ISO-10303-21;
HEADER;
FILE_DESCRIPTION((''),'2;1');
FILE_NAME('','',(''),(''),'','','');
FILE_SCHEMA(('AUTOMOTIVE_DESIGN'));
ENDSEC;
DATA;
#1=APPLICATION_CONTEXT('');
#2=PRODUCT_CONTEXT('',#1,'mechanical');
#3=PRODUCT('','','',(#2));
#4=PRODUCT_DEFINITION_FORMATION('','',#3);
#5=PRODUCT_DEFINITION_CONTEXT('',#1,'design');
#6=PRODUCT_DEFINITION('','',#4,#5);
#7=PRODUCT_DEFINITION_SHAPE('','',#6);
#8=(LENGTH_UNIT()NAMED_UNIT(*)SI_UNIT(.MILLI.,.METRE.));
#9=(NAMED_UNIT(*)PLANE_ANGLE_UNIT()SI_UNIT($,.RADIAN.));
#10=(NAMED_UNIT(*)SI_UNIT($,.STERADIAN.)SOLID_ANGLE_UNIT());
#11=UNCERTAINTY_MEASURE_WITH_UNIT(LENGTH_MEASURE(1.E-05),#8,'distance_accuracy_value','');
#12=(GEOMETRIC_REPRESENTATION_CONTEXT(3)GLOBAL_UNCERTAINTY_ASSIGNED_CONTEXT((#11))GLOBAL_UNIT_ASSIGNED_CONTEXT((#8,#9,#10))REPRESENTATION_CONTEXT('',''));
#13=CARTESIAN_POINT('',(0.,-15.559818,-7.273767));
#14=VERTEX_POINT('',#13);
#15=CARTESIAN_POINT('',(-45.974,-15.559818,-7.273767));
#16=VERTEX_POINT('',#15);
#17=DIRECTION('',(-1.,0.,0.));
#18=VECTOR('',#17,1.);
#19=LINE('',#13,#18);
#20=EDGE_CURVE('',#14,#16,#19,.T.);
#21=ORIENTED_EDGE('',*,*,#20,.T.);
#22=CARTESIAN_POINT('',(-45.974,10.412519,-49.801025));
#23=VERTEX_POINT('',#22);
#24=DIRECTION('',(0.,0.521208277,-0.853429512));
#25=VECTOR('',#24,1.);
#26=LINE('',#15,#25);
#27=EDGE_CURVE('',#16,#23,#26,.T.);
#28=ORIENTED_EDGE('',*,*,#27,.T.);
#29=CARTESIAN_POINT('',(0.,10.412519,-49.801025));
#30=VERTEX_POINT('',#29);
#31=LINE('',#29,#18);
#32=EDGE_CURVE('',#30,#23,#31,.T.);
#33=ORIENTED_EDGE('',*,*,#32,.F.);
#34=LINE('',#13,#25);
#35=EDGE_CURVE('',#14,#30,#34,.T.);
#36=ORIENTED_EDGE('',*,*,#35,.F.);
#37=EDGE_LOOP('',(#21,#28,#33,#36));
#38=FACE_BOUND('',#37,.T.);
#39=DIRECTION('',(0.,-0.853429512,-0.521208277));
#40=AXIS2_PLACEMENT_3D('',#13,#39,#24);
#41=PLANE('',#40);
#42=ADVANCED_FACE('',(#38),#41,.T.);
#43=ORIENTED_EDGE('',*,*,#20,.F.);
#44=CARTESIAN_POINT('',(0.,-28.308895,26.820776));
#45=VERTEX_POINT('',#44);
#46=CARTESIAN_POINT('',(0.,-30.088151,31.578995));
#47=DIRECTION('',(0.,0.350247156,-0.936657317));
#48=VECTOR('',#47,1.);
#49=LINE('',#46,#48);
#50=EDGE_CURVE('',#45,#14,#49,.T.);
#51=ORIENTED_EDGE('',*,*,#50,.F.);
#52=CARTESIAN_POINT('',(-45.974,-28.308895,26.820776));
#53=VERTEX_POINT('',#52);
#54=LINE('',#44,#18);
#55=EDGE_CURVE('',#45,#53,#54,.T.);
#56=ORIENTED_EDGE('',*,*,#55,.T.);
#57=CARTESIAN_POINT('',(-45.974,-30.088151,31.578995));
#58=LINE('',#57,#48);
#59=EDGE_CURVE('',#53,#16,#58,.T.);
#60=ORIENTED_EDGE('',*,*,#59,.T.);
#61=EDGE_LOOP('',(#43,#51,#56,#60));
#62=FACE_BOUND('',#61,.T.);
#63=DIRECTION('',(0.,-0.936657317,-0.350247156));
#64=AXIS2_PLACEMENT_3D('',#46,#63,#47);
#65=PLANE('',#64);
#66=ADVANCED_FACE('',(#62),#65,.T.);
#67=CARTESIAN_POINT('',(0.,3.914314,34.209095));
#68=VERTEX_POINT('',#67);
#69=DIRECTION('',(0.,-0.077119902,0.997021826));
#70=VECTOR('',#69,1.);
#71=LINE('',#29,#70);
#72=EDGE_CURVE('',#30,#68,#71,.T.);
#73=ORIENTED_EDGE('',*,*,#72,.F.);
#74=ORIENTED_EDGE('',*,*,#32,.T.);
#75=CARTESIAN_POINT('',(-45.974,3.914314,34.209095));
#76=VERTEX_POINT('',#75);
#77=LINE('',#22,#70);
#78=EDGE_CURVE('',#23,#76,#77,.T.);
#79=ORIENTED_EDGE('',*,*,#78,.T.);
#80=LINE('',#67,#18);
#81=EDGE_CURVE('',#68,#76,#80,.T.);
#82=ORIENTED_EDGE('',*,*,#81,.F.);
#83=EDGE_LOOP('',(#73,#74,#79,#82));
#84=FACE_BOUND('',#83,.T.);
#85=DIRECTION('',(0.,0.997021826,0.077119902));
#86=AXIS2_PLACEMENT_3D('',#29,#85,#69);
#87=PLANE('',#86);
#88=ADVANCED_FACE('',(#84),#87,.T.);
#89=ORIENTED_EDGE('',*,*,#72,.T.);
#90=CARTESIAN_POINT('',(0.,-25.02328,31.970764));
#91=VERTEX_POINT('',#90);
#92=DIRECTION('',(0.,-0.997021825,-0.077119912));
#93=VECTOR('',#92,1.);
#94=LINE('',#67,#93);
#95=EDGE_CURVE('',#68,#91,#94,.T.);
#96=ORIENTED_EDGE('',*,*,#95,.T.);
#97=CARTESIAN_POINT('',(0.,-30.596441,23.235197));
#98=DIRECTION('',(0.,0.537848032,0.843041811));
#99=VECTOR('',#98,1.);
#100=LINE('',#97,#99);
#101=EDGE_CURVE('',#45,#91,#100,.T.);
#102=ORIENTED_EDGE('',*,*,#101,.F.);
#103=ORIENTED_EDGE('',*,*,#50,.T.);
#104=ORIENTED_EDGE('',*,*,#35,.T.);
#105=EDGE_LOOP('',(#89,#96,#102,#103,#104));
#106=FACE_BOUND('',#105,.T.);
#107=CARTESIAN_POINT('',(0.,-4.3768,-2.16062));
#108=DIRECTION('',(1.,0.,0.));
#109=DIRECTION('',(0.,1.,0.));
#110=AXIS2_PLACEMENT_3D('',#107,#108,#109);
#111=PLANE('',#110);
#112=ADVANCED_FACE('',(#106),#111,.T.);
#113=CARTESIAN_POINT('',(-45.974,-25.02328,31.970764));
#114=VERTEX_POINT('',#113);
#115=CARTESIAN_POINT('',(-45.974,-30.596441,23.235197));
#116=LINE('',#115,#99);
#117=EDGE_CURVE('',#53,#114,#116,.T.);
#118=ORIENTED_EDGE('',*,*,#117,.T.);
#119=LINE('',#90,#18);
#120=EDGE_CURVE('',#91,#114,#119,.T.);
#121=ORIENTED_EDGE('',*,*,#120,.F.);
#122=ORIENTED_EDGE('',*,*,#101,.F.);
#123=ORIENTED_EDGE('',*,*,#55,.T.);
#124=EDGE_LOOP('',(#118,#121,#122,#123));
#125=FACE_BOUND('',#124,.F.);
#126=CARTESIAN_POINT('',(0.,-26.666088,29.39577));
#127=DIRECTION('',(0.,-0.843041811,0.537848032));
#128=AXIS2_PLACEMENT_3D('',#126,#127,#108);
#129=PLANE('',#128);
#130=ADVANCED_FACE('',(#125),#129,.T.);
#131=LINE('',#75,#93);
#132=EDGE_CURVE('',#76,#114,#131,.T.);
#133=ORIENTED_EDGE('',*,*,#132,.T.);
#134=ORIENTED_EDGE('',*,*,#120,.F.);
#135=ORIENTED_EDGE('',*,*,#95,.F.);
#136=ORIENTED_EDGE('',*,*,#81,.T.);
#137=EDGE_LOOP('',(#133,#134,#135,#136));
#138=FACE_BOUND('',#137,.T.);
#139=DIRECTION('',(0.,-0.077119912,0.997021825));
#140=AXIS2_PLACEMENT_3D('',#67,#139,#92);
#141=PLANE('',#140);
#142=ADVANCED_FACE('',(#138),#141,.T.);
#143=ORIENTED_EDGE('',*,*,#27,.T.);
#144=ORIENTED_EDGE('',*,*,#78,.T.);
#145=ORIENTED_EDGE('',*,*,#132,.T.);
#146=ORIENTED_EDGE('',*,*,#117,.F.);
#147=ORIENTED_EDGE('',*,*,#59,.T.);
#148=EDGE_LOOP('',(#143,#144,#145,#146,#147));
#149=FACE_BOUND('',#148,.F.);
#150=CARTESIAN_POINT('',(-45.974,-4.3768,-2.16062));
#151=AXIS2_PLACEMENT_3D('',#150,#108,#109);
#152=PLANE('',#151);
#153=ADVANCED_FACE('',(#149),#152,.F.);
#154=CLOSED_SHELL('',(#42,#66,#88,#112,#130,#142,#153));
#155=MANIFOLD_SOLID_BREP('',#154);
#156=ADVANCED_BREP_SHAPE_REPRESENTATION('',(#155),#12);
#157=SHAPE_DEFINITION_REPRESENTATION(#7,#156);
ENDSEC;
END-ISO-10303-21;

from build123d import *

# Parameters (mm, degrees)
F1_DEPTH = 45.974
F2_SIZE  = 5.08


with BuildPart() as f1:
    # F0 (on Right) → F1 (new body)
    with BuildSketch(Plane.YZ):
        Polygon((-30.088151, 31.578995), (-15.559818, -7.273767), (10.412519, -49.801025), (3.914314, 34.209095), align=None)
    extrude(amount=-F1_DEPTH)

    # F2
    f2_edges = [f1.edges().sort_by_distance(p)[0] for p in [
        (-22.987, -30.088151, 31.578995),
    ]]
    chamfer(f2_edges, length=F2_SIZE)


solid = f1.part
